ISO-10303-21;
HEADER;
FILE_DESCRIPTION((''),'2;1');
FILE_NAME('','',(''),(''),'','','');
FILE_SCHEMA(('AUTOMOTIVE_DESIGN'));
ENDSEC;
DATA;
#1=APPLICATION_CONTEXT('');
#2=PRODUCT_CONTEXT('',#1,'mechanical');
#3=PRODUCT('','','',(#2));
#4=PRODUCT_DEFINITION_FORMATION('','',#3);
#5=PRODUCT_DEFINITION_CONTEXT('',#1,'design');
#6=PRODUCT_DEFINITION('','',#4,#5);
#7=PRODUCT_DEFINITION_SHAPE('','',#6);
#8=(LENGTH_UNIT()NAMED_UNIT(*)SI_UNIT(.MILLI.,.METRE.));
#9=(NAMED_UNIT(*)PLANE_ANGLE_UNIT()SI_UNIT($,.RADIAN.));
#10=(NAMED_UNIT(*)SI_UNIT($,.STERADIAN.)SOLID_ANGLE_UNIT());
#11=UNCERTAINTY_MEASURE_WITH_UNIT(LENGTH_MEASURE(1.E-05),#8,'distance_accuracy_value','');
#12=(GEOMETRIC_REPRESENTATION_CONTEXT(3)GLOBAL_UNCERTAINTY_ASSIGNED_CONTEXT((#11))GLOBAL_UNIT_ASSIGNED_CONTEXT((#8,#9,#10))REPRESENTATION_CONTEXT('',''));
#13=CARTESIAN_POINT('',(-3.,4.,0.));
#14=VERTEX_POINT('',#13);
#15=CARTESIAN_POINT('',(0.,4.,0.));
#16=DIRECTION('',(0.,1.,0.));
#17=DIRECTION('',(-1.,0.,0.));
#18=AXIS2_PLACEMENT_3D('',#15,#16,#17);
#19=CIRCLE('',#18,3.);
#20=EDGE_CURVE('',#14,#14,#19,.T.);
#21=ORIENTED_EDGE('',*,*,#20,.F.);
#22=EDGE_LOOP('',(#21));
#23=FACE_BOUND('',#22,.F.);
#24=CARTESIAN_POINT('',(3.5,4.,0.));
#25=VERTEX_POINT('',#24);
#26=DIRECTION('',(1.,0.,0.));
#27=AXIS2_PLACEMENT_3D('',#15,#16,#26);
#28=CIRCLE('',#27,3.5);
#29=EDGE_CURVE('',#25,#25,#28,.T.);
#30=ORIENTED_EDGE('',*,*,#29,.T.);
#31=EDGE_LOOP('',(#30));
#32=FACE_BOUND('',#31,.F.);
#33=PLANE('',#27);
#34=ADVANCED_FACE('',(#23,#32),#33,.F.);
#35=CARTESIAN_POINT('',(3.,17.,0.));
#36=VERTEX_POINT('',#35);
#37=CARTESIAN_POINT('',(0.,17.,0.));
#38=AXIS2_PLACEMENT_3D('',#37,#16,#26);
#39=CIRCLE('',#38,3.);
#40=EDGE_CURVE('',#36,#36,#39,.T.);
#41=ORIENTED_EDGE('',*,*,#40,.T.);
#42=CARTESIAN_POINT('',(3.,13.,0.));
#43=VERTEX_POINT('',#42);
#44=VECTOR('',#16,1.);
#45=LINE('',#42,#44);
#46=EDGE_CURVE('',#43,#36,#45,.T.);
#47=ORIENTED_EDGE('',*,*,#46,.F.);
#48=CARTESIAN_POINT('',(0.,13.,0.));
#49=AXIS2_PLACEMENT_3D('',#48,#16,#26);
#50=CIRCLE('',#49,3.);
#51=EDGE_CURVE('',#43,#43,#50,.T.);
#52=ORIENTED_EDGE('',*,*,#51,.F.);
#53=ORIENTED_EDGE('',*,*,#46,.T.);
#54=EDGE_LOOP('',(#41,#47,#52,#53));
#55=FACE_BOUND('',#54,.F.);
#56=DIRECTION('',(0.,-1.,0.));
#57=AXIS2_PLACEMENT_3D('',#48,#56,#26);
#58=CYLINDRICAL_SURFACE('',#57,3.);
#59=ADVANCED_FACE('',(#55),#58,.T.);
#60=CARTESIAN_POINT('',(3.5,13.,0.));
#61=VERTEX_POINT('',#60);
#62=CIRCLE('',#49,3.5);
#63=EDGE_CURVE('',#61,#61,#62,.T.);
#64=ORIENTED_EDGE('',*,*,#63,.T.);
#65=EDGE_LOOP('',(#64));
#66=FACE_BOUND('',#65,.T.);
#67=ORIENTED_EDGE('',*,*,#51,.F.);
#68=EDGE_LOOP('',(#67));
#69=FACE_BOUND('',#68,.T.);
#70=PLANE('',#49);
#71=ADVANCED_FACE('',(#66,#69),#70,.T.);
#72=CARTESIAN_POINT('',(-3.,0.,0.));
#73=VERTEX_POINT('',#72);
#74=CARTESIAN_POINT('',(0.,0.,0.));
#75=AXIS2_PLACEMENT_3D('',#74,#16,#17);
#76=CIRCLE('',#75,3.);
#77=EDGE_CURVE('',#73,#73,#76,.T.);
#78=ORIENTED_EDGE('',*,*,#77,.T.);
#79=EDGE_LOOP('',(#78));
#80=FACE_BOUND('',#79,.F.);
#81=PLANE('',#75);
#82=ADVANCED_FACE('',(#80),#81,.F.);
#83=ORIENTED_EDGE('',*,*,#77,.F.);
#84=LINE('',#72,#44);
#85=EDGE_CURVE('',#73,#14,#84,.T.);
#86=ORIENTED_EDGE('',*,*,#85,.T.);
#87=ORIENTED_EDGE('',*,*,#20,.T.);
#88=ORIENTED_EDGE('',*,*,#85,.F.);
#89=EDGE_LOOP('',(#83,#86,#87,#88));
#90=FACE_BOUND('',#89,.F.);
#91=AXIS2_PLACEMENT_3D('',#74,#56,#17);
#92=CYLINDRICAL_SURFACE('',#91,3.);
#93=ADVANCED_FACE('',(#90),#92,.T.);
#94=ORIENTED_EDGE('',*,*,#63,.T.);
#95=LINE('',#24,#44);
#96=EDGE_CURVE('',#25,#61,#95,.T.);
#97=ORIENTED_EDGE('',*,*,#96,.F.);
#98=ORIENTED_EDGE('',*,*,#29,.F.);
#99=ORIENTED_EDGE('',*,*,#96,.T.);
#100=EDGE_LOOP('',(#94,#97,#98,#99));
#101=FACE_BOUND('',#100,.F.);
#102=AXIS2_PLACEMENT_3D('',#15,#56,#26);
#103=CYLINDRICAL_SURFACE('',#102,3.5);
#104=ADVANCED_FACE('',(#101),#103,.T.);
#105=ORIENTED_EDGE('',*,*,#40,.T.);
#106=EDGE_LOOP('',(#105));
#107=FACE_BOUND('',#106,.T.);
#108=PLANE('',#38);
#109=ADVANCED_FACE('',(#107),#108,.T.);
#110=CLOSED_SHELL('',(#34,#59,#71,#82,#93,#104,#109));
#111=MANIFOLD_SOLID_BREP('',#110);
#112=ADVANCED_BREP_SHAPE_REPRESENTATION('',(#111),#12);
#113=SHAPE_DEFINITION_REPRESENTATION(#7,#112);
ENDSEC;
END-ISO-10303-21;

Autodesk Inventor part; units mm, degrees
ref_plane "YZ Plane" through (0, 0, 0) normal (1, 0, 0) x (0, 1, 0)
ref_plane "XZ Plane" through (0, 0, 0) normal (0, 1, 0) x (-1, 0, 0)
ref_plane "XY Plane" through (0, 0, 0) normal (0, 0, 1) x (1, 0, 0)
sketch "Sketch1" plane through (0, 0, 0) normal (0, 1, 0) x (-1, 0, 0)
  circle A0 centre (0, 0) radius 3
  dimension "d0" = 6
extrude "Extrusion1" add sketch "Sketch1" along normal blind 4
sketch "Sketch2" plane through (0, 4, 0) normal (0, 1, 0) x (1, 0, 0)
  circle A0 centre (0, 0) radius 3.5
  dimension "d3" = 7
extrude "Extrusion2" add sketch "Sketch2" along normal blind 9
sketch "Sketch3" plane through (0, 13, 0) normal (0, 1, 0) x (1, 0, 0)
  circle A0 centre (0, 0) radius 3
  dimension "d6" = 6
extrude "Extrusion3" add sketch "Sketch3" along normal blind 4
properties material "Steel, Mild"
